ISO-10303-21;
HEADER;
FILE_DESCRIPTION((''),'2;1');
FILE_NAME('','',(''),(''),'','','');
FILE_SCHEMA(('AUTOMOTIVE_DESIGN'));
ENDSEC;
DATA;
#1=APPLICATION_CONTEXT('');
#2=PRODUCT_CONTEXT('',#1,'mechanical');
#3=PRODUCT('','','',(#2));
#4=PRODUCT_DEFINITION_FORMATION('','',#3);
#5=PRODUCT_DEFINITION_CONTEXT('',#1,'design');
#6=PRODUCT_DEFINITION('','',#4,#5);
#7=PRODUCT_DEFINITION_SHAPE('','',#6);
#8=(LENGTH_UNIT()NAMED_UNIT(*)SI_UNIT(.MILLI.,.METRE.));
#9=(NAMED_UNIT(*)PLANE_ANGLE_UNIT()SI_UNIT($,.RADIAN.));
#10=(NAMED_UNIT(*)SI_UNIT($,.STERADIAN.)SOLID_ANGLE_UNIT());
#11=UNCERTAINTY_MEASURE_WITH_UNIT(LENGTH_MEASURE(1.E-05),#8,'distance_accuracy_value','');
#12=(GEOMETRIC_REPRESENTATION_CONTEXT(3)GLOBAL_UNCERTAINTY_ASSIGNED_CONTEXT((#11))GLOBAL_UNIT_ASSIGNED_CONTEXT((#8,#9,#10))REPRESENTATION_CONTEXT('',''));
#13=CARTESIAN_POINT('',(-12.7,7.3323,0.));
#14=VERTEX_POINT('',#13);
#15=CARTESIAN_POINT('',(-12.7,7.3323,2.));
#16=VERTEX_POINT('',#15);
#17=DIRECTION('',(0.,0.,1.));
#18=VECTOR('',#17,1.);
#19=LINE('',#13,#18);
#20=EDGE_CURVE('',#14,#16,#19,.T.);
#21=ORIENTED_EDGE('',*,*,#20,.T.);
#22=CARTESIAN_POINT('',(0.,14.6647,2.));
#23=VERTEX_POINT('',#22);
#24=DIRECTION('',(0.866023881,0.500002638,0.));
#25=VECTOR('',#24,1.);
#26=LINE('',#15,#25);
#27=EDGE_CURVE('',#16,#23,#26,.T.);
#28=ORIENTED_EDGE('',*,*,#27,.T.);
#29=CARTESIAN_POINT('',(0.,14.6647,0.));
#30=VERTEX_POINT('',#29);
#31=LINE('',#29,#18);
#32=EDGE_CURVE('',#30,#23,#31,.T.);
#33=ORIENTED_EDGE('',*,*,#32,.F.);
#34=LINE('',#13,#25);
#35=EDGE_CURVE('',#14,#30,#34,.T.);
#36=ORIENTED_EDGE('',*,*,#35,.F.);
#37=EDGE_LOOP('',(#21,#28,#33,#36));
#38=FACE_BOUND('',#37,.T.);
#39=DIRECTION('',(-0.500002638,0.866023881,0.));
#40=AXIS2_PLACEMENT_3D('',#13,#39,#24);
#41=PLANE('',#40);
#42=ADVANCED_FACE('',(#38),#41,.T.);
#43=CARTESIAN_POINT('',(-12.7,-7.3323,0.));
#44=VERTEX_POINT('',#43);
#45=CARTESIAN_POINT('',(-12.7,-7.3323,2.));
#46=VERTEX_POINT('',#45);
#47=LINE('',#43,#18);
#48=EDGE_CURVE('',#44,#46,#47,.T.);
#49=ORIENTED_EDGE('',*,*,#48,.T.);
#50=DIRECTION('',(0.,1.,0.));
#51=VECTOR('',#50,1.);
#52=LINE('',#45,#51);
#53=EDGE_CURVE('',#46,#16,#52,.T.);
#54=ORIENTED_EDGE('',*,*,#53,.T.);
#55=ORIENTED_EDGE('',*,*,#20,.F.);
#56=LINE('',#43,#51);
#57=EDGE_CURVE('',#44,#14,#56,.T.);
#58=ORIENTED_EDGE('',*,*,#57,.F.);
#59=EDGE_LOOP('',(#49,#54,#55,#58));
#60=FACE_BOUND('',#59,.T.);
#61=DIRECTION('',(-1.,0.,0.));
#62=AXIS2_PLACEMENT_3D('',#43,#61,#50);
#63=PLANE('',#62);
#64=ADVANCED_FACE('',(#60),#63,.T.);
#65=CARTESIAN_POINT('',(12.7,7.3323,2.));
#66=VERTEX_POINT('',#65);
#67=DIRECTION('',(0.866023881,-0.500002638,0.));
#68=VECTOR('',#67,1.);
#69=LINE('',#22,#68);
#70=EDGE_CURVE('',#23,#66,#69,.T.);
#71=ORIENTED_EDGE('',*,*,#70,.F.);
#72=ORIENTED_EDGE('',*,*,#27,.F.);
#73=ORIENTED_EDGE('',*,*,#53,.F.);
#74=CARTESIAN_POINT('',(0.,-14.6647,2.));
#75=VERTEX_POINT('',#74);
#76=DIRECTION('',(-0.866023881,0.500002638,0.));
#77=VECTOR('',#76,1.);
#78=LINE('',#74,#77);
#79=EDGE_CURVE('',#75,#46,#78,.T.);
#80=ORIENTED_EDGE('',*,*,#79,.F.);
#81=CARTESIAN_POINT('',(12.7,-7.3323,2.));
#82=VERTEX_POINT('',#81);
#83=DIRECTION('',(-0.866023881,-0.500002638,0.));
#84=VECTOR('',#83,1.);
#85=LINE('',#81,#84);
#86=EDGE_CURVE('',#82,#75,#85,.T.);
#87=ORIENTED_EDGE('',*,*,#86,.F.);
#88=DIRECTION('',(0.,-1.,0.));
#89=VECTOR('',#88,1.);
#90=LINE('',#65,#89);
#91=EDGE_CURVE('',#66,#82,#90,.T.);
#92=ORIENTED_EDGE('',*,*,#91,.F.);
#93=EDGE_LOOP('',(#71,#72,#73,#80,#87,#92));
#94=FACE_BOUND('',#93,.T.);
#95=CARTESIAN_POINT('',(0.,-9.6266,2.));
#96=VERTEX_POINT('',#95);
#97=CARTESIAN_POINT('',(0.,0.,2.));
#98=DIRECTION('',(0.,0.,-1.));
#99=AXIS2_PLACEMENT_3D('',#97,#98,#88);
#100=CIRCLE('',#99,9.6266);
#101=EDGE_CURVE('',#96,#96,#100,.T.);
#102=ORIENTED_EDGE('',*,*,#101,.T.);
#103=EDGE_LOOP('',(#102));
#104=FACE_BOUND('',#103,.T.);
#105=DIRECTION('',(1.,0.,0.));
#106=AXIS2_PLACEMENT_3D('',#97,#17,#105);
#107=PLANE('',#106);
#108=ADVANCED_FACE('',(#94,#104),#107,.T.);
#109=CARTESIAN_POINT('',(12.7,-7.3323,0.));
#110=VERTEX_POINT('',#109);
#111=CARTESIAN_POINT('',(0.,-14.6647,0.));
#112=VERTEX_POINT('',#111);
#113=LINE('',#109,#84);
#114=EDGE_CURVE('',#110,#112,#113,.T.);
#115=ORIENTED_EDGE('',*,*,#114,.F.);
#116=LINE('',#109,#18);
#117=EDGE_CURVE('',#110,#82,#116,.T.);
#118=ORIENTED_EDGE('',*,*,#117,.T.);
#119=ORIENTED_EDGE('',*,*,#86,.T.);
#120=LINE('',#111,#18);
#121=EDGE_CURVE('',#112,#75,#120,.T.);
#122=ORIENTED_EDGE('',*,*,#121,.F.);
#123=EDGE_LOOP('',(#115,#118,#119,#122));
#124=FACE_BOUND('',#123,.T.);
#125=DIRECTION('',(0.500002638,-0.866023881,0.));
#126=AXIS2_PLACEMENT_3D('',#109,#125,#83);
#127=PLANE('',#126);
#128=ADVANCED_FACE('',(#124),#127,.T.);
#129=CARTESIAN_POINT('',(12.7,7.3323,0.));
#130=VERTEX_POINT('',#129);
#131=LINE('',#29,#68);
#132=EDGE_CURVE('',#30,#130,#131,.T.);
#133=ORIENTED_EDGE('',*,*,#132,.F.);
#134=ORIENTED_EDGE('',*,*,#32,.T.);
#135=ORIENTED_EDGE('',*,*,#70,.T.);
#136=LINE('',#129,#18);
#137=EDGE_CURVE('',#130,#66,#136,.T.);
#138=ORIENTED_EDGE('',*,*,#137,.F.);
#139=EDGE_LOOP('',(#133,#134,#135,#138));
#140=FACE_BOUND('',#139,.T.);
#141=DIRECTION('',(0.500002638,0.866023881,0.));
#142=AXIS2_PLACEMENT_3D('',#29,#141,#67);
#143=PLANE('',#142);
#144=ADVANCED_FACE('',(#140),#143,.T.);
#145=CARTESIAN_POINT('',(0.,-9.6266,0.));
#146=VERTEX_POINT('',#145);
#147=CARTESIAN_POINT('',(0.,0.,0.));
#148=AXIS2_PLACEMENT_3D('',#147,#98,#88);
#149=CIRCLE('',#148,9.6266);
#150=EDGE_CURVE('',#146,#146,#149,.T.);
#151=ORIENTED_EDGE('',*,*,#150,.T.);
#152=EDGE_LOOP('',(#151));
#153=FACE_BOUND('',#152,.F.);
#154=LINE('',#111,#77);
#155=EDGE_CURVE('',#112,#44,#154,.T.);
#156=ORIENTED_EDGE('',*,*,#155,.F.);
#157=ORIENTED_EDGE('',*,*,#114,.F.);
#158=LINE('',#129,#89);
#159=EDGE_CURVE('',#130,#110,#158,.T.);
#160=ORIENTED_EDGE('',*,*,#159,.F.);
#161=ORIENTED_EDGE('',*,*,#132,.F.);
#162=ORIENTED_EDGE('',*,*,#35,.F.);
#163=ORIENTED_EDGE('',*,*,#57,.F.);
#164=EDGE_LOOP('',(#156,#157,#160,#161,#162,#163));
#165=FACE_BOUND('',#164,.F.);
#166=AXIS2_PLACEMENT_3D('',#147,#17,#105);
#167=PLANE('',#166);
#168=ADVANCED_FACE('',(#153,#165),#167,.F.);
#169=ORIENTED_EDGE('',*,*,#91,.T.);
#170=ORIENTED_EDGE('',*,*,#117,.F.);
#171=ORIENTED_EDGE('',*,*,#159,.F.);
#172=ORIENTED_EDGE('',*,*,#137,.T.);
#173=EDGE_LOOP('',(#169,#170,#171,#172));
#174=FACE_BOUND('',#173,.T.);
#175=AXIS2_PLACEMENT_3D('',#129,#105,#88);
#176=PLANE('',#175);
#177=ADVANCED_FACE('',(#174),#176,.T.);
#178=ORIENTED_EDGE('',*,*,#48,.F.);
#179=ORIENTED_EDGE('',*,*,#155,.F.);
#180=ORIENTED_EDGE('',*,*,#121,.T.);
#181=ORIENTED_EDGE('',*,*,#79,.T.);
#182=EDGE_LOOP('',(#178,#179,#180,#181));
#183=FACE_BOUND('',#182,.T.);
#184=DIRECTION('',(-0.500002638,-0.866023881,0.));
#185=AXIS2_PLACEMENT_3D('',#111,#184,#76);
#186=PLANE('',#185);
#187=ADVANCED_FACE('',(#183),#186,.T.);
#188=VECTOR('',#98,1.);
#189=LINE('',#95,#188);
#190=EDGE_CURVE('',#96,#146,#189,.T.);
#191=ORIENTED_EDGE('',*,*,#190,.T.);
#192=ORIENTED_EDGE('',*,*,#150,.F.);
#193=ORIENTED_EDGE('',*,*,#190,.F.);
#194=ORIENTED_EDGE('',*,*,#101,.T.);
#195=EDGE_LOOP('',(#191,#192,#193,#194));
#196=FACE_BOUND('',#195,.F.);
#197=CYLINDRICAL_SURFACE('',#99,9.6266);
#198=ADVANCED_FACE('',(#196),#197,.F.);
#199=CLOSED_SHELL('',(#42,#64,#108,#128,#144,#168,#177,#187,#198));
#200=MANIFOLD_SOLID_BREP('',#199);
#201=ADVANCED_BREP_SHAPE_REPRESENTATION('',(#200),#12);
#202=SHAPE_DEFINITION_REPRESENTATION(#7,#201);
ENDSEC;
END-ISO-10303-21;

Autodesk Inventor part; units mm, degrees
ref_plane "YZ Plane" through (0, 0, 0) normal (1, 0, 0) x (0, 1, 0)
ref_plane "XZ Plane" through (0, 0, 0) normal (0, 1, 0) x (-1, 0, 0)
ref_plane "XY Plane" through (0, 0, 0) normal (0, 0, 1) x (1, 0, 0)
sketch "Sketch1" plane through (0, 0, 0) normal (0, 0, 1) x (1, 0, 0)
  line L0 (0, 14.6647) -> (12.7, 7.3323)
  line L1 (12.7, 7.3323) -> (12.7, -7.3323)
  line L2 (12.7, -7.3323) -> (0, -14.6647)
  line L3 (0, -14.6647) -> (-12.7, -7.3323)
  line L4 (-12.7, -7.3323) -> (-12.7, 7.3323)
  line L5 (-12.7, 7.3323) -> (0, 14.6647)
  point P0 (0, 0)
  point P1 (0, 0)
  dimension "d0" = 25.4
extrude "Extrusion1" add sketch "Sketch1" along normal blind 2
sketch "Sketch2" plane through (0, 0, 2) normal (0, 0, 1) x (1, 0, 0)
  point P0 (0, 0)
hole "Hole1" at (0, 0, 2) direction (0, 0, -1) diameter 19.2532 end through all thread size "13/16-20 UNEF" class "2B" standard "ANSI Unified Screw Threads"
properties part number "ETHERNET NUT"
